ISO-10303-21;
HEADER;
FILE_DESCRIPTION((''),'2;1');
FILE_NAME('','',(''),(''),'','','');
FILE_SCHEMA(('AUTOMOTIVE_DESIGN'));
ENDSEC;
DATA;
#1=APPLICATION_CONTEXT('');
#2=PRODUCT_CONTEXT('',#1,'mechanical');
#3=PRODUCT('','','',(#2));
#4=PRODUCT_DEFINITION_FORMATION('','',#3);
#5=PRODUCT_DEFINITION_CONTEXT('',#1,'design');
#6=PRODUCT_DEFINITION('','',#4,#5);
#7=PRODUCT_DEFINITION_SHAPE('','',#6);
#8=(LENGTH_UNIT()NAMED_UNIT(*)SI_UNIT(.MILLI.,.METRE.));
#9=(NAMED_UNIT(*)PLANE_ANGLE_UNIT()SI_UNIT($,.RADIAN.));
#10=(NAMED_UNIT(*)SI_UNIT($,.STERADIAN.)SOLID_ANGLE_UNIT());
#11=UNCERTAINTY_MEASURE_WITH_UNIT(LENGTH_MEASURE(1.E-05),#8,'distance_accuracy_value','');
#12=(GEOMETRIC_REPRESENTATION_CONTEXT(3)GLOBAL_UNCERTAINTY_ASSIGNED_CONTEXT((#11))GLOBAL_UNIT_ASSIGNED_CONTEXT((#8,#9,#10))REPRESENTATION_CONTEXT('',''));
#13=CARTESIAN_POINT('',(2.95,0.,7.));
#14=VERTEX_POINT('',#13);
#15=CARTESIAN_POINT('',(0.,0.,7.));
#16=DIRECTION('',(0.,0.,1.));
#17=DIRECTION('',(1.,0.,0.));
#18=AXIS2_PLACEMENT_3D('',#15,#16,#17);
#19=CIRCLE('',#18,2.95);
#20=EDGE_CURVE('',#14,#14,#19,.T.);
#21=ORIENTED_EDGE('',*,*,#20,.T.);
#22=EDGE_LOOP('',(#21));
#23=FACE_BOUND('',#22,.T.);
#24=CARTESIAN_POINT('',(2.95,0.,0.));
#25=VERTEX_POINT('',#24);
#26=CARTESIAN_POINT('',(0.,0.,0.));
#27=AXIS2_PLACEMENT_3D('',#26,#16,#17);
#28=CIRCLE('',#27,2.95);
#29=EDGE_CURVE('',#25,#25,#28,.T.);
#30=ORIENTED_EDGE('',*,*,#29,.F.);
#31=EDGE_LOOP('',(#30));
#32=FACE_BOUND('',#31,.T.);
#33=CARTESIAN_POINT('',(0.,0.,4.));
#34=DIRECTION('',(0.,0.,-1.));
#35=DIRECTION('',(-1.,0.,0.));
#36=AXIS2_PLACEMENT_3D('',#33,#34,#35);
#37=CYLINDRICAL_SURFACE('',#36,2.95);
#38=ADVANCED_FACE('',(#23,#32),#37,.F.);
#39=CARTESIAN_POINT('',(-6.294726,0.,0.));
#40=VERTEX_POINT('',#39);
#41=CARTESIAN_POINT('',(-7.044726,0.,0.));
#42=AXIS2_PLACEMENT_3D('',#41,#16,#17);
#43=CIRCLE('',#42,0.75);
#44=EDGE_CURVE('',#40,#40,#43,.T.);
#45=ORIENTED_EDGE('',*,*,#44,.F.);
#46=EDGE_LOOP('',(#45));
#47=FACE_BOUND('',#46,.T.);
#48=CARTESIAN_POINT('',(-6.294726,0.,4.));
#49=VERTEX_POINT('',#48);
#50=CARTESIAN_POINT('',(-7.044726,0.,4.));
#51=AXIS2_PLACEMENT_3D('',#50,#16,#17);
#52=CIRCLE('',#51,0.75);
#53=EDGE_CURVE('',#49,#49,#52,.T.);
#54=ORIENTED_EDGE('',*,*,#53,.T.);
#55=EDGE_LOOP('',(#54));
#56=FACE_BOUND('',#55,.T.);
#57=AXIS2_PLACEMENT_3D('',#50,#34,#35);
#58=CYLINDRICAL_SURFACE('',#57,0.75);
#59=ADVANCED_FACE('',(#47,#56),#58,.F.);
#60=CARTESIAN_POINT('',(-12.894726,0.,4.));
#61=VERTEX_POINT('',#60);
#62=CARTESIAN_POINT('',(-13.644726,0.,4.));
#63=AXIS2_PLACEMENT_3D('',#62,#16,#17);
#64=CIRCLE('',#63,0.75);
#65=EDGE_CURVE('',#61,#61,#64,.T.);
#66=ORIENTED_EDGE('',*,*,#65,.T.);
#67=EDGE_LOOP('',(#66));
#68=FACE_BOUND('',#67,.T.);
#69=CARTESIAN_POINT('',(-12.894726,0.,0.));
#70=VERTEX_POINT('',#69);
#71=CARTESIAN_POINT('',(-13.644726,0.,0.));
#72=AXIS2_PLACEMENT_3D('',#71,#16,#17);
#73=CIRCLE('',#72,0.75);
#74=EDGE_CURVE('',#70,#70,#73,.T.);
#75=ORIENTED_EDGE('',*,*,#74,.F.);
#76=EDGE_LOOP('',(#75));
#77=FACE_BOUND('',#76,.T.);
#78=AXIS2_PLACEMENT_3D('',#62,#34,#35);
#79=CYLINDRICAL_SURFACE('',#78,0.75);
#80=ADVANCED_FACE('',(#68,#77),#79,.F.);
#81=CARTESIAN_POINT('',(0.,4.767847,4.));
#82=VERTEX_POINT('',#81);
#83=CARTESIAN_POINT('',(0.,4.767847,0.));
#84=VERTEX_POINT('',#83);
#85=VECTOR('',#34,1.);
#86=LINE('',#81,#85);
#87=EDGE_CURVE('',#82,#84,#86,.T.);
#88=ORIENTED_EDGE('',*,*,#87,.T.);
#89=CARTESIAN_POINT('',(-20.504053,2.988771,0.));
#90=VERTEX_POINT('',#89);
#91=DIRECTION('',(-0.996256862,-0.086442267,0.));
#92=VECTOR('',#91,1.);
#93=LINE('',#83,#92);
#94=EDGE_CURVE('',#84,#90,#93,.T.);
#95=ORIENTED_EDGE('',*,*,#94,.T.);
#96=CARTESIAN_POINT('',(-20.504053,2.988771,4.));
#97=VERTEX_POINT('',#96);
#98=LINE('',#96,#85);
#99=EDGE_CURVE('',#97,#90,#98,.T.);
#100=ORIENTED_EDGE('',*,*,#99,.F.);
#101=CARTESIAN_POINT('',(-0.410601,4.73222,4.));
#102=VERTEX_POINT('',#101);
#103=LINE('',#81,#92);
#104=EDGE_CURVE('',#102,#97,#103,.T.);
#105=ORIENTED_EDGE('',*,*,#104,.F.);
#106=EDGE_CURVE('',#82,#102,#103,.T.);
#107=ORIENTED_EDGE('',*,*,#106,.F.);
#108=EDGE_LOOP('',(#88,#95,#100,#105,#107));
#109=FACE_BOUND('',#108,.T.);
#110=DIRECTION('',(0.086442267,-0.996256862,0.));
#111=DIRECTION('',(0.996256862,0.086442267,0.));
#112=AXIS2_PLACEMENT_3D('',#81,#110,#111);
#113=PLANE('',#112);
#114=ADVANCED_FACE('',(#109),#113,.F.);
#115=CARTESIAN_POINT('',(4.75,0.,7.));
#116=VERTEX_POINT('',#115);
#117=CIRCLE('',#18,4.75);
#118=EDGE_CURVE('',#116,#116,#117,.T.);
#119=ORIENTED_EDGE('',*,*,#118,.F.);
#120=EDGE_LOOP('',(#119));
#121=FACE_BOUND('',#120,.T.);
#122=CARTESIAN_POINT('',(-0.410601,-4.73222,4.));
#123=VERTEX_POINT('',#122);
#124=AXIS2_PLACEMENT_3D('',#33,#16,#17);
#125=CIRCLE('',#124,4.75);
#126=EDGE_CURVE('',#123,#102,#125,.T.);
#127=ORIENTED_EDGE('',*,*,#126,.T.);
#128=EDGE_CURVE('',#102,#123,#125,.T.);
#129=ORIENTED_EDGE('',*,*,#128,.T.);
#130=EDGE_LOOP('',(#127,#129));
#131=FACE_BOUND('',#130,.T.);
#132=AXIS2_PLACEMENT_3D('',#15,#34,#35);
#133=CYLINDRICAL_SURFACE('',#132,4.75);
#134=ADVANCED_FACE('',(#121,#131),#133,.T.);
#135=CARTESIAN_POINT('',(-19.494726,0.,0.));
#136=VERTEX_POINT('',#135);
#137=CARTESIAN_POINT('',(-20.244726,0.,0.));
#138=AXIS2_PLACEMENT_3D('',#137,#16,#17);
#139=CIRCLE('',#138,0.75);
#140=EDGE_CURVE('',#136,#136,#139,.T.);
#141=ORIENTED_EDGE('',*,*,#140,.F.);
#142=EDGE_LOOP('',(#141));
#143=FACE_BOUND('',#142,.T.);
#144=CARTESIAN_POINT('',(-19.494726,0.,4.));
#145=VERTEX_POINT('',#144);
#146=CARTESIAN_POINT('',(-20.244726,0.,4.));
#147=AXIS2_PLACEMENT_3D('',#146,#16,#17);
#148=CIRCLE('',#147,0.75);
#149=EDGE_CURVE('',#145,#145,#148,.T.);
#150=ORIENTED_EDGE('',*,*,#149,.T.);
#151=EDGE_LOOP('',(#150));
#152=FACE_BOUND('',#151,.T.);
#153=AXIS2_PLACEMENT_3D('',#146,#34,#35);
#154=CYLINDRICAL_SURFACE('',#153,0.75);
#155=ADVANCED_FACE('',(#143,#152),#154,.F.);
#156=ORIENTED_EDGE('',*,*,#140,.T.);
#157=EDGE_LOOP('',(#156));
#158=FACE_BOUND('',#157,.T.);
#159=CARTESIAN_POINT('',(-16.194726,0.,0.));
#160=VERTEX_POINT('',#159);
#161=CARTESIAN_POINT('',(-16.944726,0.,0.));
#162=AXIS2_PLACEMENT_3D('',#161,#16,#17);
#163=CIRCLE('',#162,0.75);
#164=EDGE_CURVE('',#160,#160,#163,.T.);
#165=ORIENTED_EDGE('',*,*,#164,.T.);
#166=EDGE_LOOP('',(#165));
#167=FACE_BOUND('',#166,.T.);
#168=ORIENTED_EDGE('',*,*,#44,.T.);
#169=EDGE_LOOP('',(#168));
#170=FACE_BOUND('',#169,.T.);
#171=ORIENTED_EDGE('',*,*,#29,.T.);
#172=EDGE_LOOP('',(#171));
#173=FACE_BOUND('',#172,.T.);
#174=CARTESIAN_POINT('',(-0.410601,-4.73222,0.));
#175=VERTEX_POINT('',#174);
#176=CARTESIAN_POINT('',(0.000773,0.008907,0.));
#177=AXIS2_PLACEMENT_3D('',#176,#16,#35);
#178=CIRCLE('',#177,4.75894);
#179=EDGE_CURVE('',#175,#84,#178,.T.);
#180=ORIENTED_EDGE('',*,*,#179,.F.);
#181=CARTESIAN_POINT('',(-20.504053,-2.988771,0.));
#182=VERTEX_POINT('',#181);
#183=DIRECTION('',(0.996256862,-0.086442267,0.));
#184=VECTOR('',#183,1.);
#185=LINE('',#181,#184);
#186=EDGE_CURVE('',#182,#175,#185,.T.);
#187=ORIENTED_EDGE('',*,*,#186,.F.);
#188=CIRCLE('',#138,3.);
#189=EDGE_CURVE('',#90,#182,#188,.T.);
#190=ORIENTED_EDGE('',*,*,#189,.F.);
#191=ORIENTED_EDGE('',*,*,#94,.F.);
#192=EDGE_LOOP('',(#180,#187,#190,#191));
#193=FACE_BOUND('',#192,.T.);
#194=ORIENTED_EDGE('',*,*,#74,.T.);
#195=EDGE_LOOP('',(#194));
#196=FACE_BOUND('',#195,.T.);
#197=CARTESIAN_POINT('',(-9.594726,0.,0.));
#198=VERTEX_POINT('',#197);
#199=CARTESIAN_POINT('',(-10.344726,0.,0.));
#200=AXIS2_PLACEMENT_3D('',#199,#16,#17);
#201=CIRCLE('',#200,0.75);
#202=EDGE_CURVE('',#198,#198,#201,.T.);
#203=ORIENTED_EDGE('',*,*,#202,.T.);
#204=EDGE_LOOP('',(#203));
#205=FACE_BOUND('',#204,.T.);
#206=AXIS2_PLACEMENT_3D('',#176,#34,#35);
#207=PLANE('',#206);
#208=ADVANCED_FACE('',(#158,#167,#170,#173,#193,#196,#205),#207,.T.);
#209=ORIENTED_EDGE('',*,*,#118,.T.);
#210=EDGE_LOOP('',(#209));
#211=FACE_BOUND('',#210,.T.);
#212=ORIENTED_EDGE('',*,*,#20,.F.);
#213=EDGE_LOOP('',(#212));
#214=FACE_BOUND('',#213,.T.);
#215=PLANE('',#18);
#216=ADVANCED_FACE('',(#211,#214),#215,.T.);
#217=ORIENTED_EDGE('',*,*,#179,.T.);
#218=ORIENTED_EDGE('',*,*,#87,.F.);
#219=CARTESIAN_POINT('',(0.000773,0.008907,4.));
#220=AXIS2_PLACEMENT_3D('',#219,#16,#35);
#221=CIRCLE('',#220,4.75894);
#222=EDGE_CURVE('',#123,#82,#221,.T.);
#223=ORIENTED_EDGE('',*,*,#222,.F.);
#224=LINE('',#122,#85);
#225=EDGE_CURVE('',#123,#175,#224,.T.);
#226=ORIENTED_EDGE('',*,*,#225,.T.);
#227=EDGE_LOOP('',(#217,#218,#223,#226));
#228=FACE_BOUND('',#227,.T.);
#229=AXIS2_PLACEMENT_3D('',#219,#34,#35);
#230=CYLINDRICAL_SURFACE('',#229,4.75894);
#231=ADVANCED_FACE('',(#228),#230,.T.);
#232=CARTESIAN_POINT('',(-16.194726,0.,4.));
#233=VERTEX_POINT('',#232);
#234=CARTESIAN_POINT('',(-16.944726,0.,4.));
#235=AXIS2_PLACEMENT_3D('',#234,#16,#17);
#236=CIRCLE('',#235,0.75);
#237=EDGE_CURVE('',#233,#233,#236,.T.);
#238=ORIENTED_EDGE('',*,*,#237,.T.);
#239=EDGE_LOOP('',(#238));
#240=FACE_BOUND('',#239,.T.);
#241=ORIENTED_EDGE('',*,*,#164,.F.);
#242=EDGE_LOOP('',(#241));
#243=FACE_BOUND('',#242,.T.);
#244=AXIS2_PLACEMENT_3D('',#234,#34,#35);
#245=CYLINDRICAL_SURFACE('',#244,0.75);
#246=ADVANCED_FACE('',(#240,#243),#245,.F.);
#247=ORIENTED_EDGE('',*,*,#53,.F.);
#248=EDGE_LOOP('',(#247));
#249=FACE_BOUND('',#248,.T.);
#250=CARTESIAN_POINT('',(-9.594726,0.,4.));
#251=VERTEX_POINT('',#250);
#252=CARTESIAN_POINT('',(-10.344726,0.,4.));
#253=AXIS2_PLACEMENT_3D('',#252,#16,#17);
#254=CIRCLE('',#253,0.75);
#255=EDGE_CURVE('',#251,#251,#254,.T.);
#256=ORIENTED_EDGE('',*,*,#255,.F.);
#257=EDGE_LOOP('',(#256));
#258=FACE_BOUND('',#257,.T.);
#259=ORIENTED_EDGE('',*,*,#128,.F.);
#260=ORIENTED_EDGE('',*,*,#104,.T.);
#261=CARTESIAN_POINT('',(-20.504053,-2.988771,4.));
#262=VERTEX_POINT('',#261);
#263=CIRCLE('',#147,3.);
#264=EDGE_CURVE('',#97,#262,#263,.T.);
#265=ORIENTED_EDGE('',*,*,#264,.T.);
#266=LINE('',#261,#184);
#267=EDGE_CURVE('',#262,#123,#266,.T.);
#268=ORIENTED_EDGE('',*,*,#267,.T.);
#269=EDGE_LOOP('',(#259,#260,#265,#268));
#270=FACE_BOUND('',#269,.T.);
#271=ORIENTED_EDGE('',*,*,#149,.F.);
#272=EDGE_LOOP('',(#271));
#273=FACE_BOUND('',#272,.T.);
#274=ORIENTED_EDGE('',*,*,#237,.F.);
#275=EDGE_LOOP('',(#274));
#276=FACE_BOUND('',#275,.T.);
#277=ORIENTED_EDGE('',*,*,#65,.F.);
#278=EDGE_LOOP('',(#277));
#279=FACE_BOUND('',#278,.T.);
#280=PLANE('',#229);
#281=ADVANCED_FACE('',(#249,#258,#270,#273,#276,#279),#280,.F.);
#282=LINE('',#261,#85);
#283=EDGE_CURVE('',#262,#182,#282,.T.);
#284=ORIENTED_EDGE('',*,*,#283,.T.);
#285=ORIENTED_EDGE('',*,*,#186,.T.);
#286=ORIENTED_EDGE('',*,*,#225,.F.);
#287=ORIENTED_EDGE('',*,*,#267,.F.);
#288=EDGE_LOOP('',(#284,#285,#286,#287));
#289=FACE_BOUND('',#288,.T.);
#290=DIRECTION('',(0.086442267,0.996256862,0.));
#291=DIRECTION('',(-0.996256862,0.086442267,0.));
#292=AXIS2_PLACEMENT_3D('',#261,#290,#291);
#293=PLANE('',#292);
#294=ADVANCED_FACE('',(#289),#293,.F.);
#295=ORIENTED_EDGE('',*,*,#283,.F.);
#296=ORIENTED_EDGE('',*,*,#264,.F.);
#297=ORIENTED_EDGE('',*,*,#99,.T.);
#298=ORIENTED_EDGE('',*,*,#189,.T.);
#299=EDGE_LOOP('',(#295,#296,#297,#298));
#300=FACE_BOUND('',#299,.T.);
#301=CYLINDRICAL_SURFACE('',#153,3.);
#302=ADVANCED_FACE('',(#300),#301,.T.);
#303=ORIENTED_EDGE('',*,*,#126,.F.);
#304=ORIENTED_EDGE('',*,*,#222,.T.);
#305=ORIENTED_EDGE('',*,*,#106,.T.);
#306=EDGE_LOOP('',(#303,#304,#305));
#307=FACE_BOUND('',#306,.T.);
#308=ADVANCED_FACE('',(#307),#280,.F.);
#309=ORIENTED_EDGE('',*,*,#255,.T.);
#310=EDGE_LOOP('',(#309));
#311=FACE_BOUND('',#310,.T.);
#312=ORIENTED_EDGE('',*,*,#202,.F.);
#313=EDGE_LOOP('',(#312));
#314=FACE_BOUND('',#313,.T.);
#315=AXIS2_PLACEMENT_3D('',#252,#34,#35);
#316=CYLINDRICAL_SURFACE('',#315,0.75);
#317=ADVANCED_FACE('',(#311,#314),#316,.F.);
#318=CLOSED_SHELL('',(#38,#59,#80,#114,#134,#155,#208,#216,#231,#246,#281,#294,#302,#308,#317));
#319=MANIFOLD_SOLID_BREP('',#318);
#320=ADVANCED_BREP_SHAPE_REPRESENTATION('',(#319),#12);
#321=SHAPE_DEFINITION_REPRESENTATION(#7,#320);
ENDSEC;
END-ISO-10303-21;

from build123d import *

# Parameters (mm, degrees)
SKETCH1_R           = 2.95
SKETCH1_R_2         = 0.75
BOSS_EXTRUDE1_DEPTH = 4
SKETCH2_R           = 4.75
SKETCH2_R_2         = 2.95
BOSS_EXTRUDE2_DEPTH = 3


with BuildPart() as part:
    # Sketch1 → Boss-Extrude1 (new body)
    with BuildSketch(Plane.XY):
        with BuildLine():
            Line((0, 4.76784671), (-20.504052607, 2.988770585))
            ThreePointArc((-20.504052607, 2.988770585), (-23.244725805, 0), (-20.504052607, -2.988770585))
            Line((-20.504052607, -2.988770585), (-0.41060077, -4.732220093))
            ThreePointArc((-0.41060077, -4.732220093), (4.755274195, -0.196586841), (0, 4.76784671))
        make_face()
        Circle(SKETCH1_R, mode=Mode.SUBTRACT)
        with Locations((-20.244725805, 0)):
            Circle(SKETCH1_R_2, mode=Mode.SUBTRACT)
        with Locations((-16.944725805, 0)):
            Circle(SKETCH1_R_2, mode=Mode.SUBTRACT)
        with Locations((-13.644725805, 0)):
            Circle(SKETCH1_R_2, mode=Mode.SUBTRACT)
        with Locations((-10.344725805, 0)):
            Circle(SKETCH1_R_2, mode=Mode.SUBTRACT)
        with Locations((-7.044725805, 0)):
            Circle(SKETCH1_R_2, mode=Mode.SUBTRACT)
    extrude(amount=BOSS_EXTRUDE1_DEPTH)

    # Sketch2 → Boss-Extrude2 (add)
    with BuildSketch(Plane.XY.offset(4)):
        Circle(SKETCH2_R)
        Circle(SKETCH2_R_2, mode=Mode.SUBTRACT)
    extrude(amount=BOSS_EXTRUDE2_DEPTH)


solid = part.part
